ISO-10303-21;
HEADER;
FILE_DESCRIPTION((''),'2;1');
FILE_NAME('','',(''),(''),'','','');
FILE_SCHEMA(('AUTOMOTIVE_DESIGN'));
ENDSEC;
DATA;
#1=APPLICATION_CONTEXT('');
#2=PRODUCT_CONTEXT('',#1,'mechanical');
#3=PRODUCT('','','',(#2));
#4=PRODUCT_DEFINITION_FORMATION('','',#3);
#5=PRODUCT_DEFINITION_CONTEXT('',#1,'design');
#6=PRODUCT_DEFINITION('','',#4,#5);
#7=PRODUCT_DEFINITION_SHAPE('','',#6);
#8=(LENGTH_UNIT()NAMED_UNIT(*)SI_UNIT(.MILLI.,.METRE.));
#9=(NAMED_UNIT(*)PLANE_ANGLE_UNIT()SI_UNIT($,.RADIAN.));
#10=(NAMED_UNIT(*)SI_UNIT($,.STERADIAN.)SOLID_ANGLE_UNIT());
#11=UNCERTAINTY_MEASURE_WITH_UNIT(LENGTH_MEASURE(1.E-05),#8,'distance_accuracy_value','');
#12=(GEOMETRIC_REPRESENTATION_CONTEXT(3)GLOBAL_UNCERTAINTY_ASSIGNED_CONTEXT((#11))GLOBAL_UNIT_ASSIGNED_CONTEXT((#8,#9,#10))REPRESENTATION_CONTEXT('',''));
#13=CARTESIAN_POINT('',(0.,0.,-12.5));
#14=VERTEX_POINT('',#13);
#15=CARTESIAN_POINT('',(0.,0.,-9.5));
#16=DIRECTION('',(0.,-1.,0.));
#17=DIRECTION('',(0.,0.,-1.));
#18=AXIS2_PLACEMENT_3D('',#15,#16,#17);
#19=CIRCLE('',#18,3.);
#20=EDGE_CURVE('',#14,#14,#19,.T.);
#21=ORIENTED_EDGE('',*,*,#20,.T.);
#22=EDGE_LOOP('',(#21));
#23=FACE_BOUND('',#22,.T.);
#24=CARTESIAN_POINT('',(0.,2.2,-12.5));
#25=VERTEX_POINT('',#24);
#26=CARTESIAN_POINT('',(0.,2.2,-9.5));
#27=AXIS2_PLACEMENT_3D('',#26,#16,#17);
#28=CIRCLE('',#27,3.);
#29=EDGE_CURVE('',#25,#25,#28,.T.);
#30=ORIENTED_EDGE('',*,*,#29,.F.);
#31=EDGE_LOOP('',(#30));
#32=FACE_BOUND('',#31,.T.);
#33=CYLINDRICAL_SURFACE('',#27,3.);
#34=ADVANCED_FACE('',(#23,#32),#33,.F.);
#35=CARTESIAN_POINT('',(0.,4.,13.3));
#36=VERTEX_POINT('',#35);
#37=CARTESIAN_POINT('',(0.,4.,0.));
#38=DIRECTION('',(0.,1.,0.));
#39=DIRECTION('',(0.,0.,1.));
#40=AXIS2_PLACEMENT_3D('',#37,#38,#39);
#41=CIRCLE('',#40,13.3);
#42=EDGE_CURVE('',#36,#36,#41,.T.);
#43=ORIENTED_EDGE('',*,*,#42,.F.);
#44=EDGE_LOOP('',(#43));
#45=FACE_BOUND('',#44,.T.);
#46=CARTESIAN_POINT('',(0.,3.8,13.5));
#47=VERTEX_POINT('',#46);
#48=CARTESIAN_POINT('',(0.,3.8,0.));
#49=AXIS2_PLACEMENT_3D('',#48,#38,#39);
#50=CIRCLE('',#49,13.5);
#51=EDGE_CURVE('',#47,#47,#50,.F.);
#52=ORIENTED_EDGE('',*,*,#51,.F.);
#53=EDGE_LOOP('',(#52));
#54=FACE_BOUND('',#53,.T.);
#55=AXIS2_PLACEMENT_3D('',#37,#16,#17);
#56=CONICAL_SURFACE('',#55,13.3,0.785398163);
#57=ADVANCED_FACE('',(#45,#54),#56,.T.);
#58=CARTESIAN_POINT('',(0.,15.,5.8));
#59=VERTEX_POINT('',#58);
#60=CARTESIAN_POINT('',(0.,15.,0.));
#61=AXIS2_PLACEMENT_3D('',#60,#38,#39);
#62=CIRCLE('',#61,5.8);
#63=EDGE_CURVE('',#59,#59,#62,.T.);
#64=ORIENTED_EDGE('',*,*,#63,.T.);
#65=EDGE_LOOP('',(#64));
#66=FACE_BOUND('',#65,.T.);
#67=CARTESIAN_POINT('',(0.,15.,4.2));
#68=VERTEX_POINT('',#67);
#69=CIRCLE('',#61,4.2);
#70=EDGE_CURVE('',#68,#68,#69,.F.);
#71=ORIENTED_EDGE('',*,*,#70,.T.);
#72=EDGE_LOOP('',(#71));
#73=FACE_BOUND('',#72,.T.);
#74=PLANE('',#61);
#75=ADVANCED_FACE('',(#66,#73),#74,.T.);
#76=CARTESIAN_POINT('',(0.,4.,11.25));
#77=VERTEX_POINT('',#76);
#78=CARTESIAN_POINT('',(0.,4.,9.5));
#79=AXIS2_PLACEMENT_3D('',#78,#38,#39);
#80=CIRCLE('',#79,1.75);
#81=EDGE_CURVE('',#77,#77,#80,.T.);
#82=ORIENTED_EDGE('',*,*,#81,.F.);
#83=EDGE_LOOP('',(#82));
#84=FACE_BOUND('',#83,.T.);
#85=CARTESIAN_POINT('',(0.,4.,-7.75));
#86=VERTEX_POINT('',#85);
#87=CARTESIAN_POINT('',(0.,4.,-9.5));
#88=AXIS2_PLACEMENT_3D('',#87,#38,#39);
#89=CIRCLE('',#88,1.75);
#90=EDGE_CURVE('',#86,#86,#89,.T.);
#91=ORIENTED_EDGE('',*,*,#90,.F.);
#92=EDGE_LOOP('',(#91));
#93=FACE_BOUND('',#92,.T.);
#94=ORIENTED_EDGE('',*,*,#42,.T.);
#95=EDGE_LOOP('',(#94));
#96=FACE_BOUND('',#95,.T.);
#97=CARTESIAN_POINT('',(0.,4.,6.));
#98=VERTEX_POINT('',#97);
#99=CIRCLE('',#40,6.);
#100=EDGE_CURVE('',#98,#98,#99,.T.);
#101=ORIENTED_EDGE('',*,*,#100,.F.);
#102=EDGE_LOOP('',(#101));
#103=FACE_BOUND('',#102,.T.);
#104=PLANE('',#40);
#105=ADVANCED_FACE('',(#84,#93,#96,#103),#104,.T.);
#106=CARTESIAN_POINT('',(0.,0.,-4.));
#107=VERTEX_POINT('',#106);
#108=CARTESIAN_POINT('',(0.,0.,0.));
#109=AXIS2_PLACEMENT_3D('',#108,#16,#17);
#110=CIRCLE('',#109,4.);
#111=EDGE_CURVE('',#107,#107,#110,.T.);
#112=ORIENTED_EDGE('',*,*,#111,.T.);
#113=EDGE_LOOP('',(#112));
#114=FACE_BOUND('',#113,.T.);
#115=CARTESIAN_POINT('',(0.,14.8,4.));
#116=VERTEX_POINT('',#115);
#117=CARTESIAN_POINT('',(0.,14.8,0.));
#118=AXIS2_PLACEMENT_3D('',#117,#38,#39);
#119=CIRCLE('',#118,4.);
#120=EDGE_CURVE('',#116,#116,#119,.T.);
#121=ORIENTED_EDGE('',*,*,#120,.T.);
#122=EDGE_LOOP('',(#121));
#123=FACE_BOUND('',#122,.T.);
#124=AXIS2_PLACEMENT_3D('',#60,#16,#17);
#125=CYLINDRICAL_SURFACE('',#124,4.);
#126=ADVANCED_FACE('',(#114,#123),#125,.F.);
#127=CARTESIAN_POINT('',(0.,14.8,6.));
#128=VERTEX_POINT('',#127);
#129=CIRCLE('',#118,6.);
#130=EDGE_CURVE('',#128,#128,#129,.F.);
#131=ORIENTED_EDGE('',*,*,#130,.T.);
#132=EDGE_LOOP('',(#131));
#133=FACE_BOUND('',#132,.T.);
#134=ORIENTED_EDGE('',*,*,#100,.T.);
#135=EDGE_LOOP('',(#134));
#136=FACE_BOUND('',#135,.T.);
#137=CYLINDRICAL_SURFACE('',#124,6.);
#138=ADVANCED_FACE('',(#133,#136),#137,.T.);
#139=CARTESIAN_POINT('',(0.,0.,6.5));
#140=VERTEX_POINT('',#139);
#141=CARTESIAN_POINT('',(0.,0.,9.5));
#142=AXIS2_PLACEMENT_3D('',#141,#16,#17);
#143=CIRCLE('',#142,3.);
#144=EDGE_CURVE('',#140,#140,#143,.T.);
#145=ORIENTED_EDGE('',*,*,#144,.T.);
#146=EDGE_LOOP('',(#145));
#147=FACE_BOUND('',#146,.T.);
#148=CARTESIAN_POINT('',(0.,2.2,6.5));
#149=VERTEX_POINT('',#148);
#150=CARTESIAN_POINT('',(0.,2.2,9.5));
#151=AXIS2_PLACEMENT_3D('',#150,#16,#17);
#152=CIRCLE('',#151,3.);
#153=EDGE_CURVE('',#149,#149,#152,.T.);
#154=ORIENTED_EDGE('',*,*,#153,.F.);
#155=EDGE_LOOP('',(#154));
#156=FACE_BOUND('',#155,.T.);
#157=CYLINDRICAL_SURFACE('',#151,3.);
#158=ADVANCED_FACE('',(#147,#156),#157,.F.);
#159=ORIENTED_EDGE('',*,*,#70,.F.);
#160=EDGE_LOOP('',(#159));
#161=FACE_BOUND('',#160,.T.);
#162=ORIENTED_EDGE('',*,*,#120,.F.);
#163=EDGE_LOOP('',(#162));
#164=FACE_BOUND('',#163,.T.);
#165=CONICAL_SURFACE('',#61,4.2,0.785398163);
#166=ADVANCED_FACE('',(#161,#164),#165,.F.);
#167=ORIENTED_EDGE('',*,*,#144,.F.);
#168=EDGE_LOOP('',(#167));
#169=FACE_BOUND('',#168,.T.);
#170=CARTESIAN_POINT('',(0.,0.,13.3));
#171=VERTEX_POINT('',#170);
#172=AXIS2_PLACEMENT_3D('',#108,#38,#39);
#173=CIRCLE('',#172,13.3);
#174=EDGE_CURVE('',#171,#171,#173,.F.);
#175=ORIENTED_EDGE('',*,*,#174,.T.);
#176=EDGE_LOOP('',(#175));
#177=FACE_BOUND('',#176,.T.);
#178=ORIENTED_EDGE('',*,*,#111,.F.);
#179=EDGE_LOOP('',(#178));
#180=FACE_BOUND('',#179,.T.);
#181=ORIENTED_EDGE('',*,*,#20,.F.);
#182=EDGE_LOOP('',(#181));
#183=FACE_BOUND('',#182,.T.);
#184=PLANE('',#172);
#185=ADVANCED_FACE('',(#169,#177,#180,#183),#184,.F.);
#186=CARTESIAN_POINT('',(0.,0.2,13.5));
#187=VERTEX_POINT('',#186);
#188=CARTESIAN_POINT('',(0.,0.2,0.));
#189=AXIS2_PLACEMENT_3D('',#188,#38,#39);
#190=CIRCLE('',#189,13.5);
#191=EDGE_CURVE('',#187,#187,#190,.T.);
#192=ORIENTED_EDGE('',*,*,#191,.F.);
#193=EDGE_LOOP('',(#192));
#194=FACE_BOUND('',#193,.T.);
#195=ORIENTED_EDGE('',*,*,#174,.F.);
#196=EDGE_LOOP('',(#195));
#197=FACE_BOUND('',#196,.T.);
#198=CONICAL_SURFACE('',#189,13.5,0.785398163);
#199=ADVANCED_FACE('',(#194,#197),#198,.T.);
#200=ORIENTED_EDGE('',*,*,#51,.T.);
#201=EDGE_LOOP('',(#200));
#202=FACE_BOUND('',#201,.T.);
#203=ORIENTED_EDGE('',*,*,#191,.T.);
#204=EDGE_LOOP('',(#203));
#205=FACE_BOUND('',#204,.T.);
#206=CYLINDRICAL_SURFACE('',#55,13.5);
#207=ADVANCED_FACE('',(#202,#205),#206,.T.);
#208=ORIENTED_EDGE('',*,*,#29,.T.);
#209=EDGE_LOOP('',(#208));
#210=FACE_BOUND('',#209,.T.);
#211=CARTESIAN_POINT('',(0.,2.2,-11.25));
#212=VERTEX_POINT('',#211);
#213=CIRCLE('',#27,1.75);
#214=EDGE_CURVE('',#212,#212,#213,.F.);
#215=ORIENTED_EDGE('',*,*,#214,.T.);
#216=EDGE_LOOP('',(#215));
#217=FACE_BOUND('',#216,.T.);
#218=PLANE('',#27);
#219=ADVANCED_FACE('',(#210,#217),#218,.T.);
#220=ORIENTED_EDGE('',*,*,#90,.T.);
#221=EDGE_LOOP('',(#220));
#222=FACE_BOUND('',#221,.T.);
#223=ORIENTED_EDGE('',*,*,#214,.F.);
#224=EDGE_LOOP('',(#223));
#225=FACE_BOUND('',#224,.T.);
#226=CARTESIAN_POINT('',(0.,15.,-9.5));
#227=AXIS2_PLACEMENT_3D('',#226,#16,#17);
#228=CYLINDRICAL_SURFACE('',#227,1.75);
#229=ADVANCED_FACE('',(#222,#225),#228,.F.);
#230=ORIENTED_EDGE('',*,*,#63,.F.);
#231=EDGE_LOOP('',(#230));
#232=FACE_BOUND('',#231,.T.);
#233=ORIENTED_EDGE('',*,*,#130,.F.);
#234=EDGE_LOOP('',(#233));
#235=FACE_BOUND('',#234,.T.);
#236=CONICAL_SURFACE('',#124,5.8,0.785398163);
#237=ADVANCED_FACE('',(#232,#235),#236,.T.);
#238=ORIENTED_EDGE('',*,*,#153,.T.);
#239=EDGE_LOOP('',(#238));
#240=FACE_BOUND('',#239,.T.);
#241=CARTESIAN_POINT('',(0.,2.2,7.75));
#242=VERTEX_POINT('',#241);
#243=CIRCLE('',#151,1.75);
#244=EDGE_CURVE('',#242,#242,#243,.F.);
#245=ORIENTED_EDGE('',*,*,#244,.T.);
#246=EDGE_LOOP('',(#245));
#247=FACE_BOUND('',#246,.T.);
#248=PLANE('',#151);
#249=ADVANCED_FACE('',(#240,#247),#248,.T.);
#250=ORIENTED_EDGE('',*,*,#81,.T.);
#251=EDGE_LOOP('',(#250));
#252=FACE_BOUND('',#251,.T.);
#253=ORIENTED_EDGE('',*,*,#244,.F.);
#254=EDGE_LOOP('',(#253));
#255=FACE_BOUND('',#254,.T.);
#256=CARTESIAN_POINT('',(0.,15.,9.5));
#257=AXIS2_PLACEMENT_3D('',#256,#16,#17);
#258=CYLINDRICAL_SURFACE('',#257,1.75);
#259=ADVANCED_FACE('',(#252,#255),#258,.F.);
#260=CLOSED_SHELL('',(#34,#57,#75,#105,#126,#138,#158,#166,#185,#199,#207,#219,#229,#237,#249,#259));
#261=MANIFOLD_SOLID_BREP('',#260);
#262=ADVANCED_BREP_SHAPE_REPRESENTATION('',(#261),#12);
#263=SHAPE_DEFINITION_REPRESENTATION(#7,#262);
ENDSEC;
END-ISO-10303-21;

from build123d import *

# Parameters (mm, degrees)
SKETCH_1_R          = 13.5
EXTRUDE_1_DEPTH     = 4
SKETCH_2_R          = 6
EXTRUDE_2_DEPTH     = 11
SKETCH_3_R          = 4
CUT_EXTRUDE_1_DEPTH = 25.279621084
SKETCH_4_R          = 1.75
CUT_EXTRUDE_2_DEPTH = 25.279621084
SKETCH_5_R          = 3
CUT_EXTRUDE_3_DEPTH = 2.2
CHAMFER_1_SIZE      = 0.2


with BuildPart() as part:
    # 草图1 → 凸台-拉伸1 (new body)
    with BuildSketch(Plane(origin=(0, 0, 0), x_dir=(1, 0, 0), z_dir=(0, 1, 0))):
        with Locations(Location((0, 0, 0), (0, 0, 270))):
            Circle(SKETCH_1_R)
    extrude(amount=EXTRUDE_1_DEPTH)

    # 草图2 → 凸台-拉伸2 (add)
    with BuildSketch(Plane(origin=(0, 4, 0), x_dir=(1, 0, 0), z_dir=(0, 1, 0))):
        with Locations(Location((0, 0, 0), (0, 0, 270))):
            Circle(SKETCH_2_R)
    extrude(amount=EXTRUDE_2_DEPTH)

    # 草图3 → 切除-拉伸1 (cut, through all)
    with BuildSketch(Plane(origin=(0, 0, 0), x_dir=(-1, 0, 0), z_dir=(0, -1, 0))):
        with Locations(Location((0, 0, 0), (0, 0, 90))):
            Circle(SKETCH_3_R)
    extrude(amount=-CUT_EXTRUDE_1_DEPTH, mode=Mode.SUBTRACT)

    # 草图4 → 切除-拉伸2 (cut, through all)
    with BuildSketch(Plane.XZ):
        with Locations(Location((0, 9.5, 0), (0, 0, 270))):
            Circle(SKETCH_4_R)
        with Locations(Location((0, -9.5, 0), (0, 0, 270))):
            Circle(SKETCH_4_R)
    extrude(amount=-CUT_EXTRUDE_2_DEPTH, mode=Mode.SUBTRACT)

    # 草图5 → 切除-拉伸3 (cut)
    with BuildSketch(Plane(origin=(0, 0, 0), x_dir=(-1, 0, 0), z_dir=(0, -1, 0))):
        with Locations(Location((0, -9.5, 0), (0, 0, 90))):
            Circle(SKETCH_5_R)
        with Locations(Location((0, 9.5, 0), (0, 0, 90))):
            Circle(SKETCH_5_R)
    extrude(amount=-CUT_EXTRUDE_3_DEPTH, mode=Mode.SUBTRACT)

    # 倒角1
    chamfer_1_edges = [part.edges().sort_by_distance(p)[0] for p in [
        (0, 15, 4),
        (0, 0, -13.5),
        (0, 4, -13.5),
        (0, 15, -6),
    ]]
    chamfer(chamfer_1_edges, length=CHAMFER_1_SIZE)


solid = part.part
